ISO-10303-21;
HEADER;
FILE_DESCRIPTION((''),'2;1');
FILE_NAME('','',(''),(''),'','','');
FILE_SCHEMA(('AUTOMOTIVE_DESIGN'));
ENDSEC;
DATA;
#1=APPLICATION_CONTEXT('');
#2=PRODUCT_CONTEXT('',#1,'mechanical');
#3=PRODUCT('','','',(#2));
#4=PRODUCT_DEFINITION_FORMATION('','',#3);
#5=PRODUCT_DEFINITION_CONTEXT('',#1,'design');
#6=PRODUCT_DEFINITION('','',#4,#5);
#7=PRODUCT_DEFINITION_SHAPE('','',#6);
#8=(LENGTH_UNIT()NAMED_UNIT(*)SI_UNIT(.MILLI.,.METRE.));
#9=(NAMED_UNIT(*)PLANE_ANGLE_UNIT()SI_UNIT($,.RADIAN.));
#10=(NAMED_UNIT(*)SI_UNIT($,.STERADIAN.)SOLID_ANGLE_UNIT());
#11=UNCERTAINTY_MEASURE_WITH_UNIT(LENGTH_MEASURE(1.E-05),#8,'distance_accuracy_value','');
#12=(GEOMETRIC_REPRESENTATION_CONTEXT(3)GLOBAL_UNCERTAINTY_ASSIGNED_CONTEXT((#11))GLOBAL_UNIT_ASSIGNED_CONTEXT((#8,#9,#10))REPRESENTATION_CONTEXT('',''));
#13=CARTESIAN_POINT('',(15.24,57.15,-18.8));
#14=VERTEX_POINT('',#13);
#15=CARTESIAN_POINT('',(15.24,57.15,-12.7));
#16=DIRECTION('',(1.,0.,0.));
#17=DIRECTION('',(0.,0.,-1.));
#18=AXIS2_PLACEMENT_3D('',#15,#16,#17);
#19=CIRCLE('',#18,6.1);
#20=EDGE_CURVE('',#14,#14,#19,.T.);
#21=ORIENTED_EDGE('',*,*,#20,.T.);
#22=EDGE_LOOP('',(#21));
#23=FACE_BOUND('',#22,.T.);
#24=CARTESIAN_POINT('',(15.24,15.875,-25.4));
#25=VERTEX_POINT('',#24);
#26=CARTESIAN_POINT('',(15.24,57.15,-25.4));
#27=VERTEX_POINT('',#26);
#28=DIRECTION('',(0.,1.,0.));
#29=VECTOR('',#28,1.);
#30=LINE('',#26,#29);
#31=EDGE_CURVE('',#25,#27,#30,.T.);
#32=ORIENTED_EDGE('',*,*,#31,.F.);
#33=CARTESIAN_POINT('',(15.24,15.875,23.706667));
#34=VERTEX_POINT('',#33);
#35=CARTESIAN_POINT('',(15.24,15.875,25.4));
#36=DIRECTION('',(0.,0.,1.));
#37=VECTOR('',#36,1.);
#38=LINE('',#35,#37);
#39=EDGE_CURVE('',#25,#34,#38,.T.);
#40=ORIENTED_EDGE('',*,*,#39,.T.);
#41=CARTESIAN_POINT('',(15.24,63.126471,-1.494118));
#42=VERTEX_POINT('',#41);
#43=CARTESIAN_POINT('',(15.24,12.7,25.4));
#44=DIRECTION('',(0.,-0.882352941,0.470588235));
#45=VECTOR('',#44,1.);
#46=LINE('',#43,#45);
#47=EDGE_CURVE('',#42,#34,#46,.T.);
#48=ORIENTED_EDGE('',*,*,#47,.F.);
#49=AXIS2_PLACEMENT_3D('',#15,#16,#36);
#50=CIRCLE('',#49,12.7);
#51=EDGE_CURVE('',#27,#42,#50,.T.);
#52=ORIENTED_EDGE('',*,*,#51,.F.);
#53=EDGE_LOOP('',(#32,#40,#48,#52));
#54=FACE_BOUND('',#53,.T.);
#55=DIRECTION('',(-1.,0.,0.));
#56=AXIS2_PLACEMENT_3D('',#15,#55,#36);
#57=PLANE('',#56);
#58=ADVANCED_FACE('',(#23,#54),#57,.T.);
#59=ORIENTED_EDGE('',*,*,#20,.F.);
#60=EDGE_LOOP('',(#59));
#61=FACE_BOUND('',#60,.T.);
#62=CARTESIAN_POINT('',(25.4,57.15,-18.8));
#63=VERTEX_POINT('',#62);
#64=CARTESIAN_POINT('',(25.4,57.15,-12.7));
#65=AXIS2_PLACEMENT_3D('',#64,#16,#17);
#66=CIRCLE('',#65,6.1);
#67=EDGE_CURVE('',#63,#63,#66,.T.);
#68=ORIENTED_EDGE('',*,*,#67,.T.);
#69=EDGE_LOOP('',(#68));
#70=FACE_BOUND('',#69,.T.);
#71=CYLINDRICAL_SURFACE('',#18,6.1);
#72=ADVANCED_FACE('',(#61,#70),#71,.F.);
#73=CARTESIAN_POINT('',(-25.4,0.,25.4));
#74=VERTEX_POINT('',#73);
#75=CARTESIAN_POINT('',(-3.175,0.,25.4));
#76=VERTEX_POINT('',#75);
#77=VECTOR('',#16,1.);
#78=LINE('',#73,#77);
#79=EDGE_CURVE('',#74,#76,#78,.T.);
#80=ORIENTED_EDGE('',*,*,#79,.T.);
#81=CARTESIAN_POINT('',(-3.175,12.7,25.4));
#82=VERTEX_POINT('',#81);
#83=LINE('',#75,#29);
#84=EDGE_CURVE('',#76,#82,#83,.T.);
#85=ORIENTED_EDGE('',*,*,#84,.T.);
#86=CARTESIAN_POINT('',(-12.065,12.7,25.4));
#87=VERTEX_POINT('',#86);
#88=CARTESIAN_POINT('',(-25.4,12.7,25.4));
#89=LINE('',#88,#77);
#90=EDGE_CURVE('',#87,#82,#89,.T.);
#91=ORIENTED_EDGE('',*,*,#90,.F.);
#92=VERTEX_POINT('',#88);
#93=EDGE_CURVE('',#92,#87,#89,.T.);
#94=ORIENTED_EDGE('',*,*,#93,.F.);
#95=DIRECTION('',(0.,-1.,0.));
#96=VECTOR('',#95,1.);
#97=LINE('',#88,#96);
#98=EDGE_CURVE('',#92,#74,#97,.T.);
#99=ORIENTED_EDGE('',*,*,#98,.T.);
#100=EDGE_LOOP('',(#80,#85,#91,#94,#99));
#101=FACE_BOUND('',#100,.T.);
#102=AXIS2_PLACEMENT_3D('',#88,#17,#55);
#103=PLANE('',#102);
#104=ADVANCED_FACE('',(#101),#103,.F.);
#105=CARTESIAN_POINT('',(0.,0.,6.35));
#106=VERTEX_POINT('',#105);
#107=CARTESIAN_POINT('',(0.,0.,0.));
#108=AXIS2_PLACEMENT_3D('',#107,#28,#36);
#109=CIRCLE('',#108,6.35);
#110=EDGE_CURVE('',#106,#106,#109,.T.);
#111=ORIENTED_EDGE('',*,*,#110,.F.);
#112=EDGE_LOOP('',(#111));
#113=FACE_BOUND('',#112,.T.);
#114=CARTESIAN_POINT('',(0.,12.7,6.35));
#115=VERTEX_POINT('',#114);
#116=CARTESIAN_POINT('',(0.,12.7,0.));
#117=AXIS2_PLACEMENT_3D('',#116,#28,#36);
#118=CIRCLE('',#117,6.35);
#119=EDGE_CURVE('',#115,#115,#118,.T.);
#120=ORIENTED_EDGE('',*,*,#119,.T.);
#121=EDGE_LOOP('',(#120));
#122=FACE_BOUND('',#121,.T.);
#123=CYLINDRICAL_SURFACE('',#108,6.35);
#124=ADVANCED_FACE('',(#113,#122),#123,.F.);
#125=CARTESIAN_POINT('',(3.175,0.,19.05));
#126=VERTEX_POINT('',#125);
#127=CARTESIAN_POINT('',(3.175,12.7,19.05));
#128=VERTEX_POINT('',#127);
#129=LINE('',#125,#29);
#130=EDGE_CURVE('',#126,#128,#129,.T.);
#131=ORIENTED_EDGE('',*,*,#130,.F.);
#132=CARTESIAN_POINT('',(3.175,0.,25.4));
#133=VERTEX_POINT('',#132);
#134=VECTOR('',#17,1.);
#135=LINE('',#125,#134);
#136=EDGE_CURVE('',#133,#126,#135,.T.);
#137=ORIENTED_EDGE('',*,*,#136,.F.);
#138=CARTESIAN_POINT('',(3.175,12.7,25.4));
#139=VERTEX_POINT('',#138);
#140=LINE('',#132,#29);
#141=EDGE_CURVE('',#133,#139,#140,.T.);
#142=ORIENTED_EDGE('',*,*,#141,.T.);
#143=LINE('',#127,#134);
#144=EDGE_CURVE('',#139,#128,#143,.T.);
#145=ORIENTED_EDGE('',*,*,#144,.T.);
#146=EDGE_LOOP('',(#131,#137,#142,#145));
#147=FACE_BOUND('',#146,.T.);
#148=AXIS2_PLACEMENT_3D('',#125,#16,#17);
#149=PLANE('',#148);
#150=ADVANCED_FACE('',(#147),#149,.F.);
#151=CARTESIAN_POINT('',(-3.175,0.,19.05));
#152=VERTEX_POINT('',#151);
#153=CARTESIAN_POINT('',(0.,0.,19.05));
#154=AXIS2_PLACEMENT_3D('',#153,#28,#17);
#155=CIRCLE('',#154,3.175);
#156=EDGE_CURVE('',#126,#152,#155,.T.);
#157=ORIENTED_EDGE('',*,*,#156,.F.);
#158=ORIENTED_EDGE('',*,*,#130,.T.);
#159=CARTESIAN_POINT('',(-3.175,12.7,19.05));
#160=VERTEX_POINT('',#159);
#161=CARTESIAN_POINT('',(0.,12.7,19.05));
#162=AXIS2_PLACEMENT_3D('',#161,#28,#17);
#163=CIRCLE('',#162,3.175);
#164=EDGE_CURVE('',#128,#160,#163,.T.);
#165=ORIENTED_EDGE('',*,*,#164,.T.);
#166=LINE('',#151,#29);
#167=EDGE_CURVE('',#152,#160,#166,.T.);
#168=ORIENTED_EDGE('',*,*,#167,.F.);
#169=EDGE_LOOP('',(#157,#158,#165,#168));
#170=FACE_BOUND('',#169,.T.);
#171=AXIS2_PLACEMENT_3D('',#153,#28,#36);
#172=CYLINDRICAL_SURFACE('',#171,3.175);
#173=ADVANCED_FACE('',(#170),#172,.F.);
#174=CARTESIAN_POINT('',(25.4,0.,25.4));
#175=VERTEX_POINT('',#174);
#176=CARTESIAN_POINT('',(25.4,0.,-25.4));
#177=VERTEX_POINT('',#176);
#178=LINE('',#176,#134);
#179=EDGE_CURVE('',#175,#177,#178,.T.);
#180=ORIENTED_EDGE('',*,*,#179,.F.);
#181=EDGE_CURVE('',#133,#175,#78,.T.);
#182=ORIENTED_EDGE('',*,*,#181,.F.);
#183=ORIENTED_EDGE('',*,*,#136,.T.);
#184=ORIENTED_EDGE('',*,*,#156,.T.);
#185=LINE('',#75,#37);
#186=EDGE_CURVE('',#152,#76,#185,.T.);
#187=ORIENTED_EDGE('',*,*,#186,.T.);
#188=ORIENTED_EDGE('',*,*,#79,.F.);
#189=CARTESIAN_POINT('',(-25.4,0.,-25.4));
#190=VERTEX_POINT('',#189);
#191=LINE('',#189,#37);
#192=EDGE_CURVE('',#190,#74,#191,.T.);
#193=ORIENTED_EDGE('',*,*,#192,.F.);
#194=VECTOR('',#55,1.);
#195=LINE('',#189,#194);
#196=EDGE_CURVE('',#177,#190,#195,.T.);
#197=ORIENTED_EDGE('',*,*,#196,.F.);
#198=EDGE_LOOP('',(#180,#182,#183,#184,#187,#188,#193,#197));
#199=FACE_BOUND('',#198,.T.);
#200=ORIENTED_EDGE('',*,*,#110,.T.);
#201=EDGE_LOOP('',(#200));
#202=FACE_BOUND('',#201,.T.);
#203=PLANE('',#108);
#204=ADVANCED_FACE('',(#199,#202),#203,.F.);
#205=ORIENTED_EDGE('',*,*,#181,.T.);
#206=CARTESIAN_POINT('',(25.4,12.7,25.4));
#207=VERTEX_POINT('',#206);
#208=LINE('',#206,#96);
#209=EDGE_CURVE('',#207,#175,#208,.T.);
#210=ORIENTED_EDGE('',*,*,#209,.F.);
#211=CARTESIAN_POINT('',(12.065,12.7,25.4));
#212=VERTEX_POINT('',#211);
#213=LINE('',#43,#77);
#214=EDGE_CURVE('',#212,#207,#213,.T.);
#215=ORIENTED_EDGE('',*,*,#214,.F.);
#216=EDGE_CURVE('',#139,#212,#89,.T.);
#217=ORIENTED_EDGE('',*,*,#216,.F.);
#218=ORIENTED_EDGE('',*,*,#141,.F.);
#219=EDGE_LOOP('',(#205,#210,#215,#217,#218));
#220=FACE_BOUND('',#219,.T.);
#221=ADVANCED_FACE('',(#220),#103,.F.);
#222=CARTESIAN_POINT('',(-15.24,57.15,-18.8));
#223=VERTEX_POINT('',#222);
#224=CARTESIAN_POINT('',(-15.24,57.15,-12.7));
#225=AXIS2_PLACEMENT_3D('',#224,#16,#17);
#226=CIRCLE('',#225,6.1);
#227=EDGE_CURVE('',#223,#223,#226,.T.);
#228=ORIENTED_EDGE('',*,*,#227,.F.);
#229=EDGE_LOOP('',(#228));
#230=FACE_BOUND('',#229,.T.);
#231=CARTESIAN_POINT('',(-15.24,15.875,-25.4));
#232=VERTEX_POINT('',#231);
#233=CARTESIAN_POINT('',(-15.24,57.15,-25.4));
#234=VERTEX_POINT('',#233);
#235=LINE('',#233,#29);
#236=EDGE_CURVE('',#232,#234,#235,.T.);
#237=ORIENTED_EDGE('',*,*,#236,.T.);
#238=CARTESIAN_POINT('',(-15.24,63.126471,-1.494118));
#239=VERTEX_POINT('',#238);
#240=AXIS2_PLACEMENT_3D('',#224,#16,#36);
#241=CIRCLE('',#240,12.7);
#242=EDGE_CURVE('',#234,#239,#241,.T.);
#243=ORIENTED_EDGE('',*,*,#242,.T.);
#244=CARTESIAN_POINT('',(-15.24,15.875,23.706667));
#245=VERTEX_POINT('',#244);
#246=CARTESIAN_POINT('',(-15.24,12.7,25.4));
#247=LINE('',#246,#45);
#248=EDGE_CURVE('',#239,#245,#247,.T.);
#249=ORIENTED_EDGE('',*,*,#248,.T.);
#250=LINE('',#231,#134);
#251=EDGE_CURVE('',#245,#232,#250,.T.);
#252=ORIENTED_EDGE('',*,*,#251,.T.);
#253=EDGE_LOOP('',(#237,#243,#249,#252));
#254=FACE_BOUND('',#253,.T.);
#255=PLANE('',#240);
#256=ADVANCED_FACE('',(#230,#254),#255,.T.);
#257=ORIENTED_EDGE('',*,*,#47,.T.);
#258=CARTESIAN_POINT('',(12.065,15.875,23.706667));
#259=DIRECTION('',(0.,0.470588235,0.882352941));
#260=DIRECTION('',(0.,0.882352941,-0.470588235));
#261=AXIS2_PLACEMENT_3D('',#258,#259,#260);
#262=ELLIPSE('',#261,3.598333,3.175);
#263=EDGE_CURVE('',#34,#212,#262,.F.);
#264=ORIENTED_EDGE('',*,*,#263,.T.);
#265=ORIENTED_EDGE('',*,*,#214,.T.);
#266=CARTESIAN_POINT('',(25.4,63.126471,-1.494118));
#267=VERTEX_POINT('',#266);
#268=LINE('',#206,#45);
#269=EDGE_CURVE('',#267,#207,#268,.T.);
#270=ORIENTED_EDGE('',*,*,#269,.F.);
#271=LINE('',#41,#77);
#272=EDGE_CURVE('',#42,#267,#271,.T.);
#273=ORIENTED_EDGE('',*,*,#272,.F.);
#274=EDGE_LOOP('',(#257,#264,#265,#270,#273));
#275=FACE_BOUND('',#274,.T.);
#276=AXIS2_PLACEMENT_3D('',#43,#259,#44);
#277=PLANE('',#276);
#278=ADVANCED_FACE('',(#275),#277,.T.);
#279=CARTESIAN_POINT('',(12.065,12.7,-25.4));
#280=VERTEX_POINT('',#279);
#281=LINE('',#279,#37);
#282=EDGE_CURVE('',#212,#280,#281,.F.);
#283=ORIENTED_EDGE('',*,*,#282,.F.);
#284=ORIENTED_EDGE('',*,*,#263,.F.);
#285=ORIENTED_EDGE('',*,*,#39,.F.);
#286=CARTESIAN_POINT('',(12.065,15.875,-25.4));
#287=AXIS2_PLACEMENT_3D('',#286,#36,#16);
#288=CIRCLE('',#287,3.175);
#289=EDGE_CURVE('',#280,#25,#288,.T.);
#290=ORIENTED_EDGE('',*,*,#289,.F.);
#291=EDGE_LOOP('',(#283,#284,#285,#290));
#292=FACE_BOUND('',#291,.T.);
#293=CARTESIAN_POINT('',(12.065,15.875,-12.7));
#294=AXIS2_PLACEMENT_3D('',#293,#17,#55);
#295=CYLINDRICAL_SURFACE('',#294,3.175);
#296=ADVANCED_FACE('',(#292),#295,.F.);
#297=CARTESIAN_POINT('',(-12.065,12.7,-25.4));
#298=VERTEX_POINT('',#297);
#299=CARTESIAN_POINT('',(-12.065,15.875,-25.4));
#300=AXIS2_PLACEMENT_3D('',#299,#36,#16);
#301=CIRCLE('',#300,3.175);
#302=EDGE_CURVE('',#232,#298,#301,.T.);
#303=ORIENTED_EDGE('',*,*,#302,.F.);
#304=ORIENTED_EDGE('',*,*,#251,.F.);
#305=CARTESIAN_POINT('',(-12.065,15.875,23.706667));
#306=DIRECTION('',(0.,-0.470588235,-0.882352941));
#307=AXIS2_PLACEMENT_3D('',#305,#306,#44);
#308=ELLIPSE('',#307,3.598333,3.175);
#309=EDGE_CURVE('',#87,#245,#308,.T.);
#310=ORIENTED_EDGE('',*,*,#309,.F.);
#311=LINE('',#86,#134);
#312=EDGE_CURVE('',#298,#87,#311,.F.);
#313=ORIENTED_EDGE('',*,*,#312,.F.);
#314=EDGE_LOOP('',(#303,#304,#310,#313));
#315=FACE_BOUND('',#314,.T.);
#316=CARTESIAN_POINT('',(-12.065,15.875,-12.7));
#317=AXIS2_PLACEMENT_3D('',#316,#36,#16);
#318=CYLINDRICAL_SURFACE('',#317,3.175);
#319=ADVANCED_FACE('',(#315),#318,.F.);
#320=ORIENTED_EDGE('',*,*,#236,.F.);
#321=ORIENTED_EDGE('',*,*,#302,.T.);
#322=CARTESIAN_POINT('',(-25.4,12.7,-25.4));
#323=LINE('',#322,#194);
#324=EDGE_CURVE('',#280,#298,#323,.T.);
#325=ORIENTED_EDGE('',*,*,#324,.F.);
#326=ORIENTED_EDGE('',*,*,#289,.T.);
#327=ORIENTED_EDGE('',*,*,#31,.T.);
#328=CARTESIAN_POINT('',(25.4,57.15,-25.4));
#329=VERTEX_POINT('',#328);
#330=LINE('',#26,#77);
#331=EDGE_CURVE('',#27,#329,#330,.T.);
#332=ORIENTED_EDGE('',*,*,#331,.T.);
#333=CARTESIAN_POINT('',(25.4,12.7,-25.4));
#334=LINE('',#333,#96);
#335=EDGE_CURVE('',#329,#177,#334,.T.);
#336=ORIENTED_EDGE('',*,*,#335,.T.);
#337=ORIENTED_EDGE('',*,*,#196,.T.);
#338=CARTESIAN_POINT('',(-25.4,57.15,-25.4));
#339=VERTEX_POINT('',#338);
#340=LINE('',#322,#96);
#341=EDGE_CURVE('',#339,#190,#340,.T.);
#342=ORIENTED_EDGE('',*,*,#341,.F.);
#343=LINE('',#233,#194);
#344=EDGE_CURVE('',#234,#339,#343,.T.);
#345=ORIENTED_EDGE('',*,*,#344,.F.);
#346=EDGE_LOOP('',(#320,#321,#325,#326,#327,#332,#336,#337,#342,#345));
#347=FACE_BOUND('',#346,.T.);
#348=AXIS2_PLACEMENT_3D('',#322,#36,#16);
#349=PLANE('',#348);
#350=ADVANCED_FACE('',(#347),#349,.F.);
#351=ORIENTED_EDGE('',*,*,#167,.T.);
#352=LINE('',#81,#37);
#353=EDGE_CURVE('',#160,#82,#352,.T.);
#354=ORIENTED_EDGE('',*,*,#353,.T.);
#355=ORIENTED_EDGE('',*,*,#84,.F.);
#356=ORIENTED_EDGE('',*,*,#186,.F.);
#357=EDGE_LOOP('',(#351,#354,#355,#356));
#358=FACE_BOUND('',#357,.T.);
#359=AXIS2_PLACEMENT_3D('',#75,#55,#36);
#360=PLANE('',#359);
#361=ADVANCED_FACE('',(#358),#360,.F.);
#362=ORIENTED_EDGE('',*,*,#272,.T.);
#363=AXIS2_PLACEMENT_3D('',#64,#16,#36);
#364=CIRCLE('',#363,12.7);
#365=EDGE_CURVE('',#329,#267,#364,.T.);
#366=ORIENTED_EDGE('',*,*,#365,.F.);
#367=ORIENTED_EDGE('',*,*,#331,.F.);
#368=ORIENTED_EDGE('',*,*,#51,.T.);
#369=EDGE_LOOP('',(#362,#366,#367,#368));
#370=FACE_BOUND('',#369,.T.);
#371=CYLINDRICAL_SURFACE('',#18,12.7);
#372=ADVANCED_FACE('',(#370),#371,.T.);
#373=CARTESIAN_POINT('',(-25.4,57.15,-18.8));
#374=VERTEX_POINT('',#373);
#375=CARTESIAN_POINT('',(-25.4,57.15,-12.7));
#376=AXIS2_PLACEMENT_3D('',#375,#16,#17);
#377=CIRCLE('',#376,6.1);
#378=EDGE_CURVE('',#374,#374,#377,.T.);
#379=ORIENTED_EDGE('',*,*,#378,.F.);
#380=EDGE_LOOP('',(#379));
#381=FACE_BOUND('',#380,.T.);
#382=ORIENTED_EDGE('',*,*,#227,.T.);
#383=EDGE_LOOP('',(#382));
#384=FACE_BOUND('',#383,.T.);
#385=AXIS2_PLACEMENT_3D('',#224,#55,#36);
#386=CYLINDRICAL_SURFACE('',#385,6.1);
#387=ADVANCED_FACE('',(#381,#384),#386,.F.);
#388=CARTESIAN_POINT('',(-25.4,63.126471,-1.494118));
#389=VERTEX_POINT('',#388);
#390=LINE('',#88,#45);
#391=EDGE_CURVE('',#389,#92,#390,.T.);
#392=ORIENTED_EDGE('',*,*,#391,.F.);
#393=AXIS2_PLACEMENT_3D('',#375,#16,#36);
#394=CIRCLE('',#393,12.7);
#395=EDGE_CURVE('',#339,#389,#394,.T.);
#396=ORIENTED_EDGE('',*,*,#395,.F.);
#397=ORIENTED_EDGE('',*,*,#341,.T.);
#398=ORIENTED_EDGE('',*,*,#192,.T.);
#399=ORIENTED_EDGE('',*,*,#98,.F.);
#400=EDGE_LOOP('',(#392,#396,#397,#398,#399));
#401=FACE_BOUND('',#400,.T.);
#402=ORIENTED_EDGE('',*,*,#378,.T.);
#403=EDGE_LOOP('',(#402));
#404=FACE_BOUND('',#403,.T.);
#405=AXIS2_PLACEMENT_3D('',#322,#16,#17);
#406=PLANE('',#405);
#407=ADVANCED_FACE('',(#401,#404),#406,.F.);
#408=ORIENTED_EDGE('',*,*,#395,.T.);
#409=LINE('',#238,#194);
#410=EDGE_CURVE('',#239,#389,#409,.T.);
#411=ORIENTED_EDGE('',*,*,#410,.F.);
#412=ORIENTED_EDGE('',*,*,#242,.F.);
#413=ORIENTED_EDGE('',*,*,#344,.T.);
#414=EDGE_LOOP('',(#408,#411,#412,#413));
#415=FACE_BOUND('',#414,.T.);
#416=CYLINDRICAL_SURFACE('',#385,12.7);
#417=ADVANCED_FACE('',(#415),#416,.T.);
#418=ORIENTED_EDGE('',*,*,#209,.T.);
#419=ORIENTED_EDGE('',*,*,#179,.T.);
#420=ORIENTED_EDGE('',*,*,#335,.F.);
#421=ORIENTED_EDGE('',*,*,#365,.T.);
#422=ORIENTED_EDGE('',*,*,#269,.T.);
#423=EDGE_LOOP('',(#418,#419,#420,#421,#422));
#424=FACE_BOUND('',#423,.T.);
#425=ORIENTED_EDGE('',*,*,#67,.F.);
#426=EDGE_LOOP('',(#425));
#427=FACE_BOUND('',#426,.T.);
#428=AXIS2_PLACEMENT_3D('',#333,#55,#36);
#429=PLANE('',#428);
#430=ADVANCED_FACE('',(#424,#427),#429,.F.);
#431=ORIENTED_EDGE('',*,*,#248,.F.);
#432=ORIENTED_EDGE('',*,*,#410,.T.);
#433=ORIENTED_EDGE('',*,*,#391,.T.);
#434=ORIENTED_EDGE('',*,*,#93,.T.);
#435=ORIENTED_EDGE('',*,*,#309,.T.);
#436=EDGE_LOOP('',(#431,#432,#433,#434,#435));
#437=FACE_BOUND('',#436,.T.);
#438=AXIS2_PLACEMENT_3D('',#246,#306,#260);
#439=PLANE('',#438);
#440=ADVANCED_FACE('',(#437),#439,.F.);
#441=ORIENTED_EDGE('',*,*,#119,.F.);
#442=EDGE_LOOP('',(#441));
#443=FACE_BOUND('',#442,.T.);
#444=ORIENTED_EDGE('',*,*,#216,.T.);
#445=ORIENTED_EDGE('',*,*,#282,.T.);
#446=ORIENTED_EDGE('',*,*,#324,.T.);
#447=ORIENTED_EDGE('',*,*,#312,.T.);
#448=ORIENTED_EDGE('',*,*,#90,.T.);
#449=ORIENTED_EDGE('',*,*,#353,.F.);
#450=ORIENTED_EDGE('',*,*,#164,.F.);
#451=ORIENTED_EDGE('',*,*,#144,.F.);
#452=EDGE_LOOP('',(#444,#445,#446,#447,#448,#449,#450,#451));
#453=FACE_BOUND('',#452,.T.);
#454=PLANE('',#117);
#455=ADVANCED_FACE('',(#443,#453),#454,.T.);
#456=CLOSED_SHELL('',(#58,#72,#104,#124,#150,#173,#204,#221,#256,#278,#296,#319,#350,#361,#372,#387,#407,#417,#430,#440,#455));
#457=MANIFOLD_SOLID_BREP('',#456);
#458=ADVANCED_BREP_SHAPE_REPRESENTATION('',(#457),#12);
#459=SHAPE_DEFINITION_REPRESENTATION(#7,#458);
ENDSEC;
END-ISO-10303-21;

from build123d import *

# Parameters (mm, degrees)
SKETCH1_W           = 50.8
SKETCH1_H           = 50.8
BOSS_EXTRUDE1_DEPTH = 12.7
SKETCH2_R           = 6.1
BOSS_EXTRUDE2_DEPTH = 10.16
SKETCH3_R           = 6.35
CUT_EXTRUDE1_DEPTH  = 68.501425911
FILLET1_R           = 3.175


with BuildPart() as part:
    # Sketch1 → Boss-Extrude1 (new body)
    with BuildSketch(Plane(origin=(0, 0, 0), x_dir=(1, 0, 0), z_dir=(0, 1, 0))):
        Rectangle(SKETCH1_W, SKETCH1_H)
    extrude(amount=BOSS_EXTRUDE1_DEPTH)

    # Sketch2 → Boss-Extrude2 (add)
    with BuildSketch(Plane(origin=(25.4, 0, 0), x_dir=(0, 0, -1), z_dir=(1, 0, 0))):
        with BuildLine():
            Line((-25.4, 0), (-25.4, 12.7))
            Line((-25.4, 12.7), (1.494117647, 63.126470588))
            ThreePointArc((1.494117647, 63.126470588), (15.780202438, 69.470809752), (25.4, 57.15))
            Line((25.4, 57.15), (25.4, 0))
            Line((25.4, 0), (-25.4, 0))
        make_face()
        with Locations((12.7, 57.15)):
            Circle(SKETCH2_R, mode=Mode.SUBTRACT)
    boss_extrude2 = extrude(amount=-BOSS_EXTRUDE2_DEPTH)

    # Mirror1: Boss-Extrude2 across plane
    add(boss_extrude2.mirror(Plane(origin=(0, 0, 0), x_dir=(0, 0, 1), z_dir=(1, 0, 0))))

    # Sketch3 → Cut-Extrude1 (cut, through all)
    with BuildSketch(Plane(origin=(0, 12.7, 0), x_dir=(1, 0, 0), z_dir=(0, 1, 0))):
        with Locations(Location((0, 0, 0), (0, 0, 270))):
            Circle(SKETCH3_R)
        with BuildLine():
            Line((-3.175, -25.4), (-3.175, -19.05))
            ThreePointArc((-3.175, -19.05), (0, -15.875), (3.175, -19.05))
            Line((3.175, -19.05), (3.175, -25.4))
            Line((3.175, -25.4), (-3.175, -25.4))
        make_face()
    extrude(amount=-CUT_EXTRUDE1_DEPTH, mode=Mode.SUBTRACT)

    # Fillet1
    fillet1_edges = [part.edges().sort_by_distance(p)[0] for p in [
        (15.24, 12.7, 0),
        (-15.24, 12.7, 0),
    ]]
    fillet(fillet1_edges, radius=FILLET1_R)


solid = part.part
